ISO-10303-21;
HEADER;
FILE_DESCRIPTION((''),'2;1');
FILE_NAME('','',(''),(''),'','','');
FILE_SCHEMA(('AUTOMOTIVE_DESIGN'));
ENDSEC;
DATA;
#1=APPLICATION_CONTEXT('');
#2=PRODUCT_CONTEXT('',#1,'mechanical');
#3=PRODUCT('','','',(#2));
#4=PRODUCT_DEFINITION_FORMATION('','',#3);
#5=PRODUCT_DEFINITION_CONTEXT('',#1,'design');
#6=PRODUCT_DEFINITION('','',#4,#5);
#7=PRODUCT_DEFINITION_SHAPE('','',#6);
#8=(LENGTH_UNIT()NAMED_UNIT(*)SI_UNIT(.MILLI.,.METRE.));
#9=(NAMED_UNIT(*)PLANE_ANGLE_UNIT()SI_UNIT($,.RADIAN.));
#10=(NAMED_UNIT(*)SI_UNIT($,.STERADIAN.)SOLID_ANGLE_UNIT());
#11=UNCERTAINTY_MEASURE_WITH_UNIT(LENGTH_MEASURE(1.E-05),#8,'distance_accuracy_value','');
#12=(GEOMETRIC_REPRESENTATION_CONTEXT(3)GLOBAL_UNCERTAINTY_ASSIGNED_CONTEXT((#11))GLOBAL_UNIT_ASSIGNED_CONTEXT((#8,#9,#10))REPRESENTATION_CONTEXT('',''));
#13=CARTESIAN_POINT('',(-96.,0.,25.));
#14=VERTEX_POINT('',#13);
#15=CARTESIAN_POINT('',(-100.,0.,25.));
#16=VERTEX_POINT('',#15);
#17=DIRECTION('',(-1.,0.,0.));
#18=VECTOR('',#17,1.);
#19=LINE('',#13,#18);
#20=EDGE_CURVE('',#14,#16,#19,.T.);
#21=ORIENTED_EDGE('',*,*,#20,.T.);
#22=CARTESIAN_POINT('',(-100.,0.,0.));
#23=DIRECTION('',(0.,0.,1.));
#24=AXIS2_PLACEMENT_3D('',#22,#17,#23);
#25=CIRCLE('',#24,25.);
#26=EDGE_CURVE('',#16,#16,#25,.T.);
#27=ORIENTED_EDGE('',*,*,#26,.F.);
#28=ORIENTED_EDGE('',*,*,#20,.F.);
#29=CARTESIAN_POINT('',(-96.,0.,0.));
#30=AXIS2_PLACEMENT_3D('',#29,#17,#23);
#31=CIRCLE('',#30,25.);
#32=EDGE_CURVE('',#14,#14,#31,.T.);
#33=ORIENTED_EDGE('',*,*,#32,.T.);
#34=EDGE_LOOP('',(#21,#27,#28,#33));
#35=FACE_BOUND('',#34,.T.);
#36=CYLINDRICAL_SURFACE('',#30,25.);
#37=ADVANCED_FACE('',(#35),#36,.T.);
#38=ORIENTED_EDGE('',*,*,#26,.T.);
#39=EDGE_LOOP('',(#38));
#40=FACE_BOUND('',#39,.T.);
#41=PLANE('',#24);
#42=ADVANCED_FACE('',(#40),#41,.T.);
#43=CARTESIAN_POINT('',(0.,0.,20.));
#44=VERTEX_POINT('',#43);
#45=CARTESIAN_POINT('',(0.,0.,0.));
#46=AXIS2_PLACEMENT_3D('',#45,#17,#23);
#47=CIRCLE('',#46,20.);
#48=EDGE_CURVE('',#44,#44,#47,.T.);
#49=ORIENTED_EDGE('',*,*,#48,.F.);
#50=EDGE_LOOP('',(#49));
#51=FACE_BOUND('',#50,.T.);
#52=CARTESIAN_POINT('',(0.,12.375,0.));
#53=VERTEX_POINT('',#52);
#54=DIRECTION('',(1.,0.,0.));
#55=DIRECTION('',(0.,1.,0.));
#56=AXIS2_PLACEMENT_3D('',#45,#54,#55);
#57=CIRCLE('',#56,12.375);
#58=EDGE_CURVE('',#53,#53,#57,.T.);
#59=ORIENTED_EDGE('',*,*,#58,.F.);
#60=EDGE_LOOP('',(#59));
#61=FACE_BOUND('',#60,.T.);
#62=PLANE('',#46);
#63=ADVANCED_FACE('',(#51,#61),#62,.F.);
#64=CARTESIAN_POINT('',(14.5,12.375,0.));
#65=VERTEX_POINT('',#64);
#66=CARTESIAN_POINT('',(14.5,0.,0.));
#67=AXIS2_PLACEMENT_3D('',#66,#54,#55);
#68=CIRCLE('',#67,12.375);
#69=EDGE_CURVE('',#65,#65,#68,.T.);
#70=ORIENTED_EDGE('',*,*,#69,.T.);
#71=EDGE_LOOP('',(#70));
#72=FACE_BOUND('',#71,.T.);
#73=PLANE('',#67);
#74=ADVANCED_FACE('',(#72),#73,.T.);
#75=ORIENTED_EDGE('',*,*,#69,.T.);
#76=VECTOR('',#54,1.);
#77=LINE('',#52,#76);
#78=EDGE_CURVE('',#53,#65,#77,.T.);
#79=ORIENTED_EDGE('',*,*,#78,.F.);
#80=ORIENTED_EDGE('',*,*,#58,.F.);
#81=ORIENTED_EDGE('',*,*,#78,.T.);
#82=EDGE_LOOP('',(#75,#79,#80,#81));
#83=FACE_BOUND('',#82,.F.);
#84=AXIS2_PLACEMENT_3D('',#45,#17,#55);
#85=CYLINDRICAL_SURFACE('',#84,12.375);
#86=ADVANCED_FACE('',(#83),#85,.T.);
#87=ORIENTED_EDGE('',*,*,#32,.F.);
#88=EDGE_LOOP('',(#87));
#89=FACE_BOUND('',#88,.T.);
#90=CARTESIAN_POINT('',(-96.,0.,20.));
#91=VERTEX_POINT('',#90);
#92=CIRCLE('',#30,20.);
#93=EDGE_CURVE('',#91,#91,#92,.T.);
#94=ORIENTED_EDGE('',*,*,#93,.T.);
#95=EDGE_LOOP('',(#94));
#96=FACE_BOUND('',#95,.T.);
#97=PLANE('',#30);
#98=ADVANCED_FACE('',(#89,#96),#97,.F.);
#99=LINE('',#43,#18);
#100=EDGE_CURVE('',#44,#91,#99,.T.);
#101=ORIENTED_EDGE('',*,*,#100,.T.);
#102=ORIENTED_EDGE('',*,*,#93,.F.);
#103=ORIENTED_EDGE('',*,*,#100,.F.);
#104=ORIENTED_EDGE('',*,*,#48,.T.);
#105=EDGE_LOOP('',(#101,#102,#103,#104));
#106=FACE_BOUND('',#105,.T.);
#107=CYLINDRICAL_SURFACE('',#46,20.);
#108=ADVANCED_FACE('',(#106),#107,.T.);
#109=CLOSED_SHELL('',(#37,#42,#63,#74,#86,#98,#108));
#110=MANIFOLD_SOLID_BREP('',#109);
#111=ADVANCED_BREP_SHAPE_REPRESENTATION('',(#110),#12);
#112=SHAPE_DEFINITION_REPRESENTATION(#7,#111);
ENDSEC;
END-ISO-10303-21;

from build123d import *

# Parameters (mm, degrees)
F2_R     = 12.375
F3_DEPTH = 14.5


with BuildPart() as f1:
    # F0 (on Front) → F1 (revolve)
    with BuildSketch(Plane.XZ):
        Polygon((-100, 0), (0, 0), (0, 20), (-96, 20), (-96, 25), (-100, 25), (-100, 20), align=None)
    revolve(axis=Axis((-50, 0, 0), (-1, 0, 0)))

    # F2 (on face) → F3 (join)
    with BuildSketch(Plane.YZ):
        Circle(F2_R)
    extrude(amount=F3_DEPTH)


solid = f1.part
